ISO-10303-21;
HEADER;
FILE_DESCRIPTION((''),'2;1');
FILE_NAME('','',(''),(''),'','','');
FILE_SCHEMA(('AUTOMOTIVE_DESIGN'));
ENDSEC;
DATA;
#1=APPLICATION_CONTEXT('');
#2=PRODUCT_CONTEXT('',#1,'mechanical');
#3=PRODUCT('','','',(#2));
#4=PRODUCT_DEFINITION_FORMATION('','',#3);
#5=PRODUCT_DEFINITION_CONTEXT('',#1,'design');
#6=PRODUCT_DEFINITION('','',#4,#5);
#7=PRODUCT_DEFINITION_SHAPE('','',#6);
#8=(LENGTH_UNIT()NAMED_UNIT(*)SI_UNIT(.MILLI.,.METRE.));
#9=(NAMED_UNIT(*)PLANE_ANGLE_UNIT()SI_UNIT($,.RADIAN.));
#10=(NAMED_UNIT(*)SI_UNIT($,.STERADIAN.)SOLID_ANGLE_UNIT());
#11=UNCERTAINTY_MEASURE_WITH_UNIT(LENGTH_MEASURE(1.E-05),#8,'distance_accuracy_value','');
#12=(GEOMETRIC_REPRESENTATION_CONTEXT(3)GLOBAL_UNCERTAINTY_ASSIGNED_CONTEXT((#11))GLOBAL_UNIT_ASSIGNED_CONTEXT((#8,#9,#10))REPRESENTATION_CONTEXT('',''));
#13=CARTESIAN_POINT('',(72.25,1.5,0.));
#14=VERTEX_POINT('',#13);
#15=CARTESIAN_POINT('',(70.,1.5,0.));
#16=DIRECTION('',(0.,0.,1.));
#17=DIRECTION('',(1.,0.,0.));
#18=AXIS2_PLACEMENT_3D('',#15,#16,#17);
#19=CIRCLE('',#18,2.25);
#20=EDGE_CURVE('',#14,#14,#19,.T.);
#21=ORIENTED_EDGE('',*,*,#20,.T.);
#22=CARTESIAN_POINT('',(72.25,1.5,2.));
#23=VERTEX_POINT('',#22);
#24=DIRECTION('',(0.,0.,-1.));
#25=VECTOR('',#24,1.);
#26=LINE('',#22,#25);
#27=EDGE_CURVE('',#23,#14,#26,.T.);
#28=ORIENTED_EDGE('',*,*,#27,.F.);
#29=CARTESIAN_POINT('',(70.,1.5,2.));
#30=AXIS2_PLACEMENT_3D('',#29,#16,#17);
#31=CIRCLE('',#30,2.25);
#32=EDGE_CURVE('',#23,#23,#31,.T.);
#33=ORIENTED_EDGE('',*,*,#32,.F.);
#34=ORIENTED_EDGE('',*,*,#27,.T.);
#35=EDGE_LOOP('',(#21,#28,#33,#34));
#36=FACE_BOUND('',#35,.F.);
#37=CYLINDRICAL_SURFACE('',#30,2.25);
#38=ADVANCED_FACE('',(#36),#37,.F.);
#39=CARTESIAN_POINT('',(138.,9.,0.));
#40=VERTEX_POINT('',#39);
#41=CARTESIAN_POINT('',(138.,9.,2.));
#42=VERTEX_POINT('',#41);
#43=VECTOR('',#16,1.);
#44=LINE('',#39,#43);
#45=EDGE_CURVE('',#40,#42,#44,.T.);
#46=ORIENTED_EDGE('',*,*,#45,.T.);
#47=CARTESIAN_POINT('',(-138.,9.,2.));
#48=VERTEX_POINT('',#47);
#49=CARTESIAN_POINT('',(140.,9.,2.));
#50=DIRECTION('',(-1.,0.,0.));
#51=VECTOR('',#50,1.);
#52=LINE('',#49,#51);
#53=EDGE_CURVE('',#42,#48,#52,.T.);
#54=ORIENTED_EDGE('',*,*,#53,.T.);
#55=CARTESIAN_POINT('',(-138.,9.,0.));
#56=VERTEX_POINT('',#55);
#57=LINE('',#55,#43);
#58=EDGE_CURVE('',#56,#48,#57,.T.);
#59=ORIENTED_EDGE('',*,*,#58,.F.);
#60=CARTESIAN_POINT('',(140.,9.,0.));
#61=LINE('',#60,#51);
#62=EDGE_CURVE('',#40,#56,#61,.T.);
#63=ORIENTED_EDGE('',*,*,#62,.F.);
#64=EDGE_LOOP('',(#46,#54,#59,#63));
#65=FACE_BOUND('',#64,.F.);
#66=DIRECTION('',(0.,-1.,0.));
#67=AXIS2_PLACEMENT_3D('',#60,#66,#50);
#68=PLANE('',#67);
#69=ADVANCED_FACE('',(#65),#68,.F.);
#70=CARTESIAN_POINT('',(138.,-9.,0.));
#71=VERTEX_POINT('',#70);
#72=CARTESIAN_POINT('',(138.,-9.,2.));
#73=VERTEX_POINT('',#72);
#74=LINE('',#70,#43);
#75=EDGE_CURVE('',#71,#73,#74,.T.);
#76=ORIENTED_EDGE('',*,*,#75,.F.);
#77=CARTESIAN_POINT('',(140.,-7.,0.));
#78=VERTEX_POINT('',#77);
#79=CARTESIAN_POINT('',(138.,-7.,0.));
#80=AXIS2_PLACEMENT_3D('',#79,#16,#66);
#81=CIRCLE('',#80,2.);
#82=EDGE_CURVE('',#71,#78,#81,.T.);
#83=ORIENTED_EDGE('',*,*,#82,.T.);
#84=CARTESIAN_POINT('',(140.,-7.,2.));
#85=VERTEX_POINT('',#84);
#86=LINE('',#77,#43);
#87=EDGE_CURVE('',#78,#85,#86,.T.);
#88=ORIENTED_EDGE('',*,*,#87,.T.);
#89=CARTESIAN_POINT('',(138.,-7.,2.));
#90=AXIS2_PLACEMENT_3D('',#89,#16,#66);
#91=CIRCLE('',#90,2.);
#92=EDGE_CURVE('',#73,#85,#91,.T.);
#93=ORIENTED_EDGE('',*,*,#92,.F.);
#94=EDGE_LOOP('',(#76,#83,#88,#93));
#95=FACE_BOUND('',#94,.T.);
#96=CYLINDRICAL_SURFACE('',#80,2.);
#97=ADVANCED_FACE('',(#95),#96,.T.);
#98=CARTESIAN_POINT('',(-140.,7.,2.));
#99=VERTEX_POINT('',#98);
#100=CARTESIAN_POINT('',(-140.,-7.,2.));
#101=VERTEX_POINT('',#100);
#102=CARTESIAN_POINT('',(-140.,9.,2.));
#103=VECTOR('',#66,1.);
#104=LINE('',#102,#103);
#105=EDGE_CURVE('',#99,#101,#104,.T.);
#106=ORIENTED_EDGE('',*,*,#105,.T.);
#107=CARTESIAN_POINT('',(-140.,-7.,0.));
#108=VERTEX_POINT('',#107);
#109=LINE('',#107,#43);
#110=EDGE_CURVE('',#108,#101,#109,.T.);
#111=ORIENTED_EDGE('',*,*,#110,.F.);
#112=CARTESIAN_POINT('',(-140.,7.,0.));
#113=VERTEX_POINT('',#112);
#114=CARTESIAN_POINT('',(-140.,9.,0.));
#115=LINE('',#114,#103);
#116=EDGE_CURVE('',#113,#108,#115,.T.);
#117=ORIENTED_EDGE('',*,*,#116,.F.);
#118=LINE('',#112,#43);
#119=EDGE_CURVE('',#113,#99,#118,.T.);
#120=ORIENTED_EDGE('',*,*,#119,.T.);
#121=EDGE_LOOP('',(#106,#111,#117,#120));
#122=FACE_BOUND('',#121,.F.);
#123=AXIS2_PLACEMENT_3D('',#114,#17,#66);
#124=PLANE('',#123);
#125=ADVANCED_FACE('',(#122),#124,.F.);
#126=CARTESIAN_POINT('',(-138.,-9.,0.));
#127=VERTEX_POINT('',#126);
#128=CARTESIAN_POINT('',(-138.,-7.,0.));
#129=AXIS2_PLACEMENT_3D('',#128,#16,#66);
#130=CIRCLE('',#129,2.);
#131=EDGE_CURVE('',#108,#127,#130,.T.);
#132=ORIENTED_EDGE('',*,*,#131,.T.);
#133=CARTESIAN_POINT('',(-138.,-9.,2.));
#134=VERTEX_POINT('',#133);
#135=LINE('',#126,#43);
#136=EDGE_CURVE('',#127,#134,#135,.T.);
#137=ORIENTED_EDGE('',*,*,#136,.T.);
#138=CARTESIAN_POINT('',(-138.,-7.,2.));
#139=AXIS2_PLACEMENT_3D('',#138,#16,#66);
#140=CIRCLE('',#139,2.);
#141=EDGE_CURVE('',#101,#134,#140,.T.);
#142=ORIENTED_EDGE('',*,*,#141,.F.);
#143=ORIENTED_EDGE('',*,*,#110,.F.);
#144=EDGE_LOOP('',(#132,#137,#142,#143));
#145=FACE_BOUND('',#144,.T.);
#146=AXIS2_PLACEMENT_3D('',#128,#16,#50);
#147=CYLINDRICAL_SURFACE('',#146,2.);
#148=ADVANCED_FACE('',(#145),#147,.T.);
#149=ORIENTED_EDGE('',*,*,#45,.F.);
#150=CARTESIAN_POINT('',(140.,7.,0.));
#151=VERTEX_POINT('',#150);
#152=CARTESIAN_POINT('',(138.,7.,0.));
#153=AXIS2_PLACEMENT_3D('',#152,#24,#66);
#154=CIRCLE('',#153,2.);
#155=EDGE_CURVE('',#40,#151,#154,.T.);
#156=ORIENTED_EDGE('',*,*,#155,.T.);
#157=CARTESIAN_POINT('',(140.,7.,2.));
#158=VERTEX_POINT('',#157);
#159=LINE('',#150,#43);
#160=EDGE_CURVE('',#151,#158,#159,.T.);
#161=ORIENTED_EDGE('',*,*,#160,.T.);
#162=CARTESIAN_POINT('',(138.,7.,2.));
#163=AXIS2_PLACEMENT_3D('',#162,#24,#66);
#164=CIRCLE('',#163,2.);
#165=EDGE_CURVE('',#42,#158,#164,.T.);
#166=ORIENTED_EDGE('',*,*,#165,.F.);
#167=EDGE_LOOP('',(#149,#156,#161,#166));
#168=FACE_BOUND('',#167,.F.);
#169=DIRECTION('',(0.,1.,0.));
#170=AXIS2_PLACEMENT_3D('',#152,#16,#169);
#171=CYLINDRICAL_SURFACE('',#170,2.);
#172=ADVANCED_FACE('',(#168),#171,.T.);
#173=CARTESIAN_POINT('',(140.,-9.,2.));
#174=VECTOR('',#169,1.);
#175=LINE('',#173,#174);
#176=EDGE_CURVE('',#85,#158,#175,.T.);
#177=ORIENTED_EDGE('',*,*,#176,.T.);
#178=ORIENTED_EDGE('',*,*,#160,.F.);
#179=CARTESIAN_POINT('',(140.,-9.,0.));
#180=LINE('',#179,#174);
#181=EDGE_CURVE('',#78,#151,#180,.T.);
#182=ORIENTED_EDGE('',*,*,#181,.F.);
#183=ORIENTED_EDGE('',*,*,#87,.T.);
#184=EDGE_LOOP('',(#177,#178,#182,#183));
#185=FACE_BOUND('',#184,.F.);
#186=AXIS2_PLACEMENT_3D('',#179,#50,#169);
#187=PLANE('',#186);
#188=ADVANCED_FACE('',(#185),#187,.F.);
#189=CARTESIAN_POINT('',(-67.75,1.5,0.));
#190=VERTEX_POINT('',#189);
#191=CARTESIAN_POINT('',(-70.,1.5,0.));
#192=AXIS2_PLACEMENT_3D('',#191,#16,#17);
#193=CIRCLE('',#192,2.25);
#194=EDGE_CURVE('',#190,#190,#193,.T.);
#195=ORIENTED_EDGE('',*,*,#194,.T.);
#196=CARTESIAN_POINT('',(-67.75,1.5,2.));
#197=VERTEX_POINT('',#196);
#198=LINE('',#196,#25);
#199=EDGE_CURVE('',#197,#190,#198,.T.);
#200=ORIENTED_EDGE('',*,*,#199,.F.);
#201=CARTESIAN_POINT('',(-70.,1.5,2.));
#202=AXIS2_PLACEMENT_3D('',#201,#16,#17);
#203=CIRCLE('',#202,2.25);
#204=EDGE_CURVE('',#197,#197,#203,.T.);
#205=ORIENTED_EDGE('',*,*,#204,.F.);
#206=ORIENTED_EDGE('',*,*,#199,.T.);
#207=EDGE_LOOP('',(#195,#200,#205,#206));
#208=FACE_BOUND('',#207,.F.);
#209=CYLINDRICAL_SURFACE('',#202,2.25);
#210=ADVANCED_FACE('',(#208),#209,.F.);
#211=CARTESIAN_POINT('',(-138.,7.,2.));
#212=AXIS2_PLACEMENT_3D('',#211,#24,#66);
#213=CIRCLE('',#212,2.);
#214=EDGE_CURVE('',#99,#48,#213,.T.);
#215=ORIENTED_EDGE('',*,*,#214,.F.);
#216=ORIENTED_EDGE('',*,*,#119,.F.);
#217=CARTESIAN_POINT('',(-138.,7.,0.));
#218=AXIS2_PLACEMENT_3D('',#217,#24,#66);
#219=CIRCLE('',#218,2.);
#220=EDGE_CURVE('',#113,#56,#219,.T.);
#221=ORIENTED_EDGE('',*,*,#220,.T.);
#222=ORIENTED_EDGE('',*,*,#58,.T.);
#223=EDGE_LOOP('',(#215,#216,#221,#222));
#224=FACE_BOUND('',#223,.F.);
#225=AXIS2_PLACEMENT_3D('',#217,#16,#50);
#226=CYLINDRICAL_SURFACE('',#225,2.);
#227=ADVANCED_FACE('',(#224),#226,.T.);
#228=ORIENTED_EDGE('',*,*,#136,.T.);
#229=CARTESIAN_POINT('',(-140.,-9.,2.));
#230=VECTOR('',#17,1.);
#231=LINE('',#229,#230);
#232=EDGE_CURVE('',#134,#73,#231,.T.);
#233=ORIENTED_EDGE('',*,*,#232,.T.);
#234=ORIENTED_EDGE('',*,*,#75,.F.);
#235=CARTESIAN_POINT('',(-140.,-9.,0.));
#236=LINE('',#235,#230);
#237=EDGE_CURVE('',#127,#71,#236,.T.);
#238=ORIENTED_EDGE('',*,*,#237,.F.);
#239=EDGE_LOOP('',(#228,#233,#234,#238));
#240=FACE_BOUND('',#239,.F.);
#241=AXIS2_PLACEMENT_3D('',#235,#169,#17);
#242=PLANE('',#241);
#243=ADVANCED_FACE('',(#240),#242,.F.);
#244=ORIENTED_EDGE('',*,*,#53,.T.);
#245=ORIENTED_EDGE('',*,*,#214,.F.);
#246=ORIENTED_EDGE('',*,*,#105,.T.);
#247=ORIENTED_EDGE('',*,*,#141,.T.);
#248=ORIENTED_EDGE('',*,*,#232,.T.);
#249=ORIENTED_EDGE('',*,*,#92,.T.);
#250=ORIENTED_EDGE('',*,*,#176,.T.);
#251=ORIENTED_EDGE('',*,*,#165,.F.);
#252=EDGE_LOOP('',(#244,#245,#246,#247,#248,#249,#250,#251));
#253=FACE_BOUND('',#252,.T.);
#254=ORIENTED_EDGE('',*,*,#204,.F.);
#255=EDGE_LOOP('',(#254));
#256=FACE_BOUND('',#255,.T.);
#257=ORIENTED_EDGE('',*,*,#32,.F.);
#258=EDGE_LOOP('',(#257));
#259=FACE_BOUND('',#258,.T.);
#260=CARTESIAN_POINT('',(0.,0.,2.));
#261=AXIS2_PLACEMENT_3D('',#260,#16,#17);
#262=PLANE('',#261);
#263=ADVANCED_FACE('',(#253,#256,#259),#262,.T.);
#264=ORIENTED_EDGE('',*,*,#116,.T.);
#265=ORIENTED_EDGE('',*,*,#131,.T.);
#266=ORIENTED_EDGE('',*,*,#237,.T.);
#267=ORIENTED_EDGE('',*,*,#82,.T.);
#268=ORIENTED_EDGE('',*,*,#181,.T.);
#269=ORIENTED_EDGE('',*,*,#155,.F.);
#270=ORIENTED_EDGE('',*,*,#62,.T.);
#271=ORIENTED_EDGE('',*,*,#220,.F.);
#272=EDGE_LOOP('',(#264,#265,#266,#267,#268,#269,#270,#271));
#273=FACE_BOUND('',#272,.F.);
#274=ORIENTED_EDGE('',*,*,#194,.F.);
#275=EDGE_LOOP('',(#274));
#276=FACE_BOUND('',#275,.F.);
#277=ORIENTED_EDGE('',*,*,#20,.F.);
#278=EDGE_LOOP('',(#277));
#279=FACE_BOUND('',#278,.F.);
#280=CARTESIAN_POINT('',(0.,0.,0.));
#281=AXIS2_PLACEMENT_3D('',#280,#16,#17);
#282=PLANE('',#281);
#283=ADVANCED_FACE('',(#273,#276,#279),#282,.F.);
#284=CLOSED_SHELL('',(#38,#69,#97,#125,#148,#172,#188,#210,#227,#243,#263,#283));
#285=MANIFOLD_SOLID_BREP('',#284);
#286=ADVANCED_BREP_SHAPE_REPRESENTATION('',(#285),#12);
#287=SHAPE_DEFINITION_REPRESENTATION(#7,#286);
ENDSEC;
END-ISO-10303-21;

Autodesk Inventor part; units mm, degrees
ref_plane "YZ Plane" through (0, 0, 0) normal (1, 0, 0) x (0, 1, 0)
ref_plane "XZ Plane" through (0, 0, 0) normal (0, 1, 0) x (-1, 0, 0)
ref_plane "XY Plane" through (0, 0, 0) normal (0, 0, 1) x (1, 0, 0)
sketch "Sketch1" plane through (0, 0, 0) normal (0, 0, 1) x (1, 0, 0)
  line L0 (-140, -9) -> (140, -9)
  line L1 (140, -9) -> (140, 9)
  line L2 (140, 9) -> (-140, 9)
  line L3 (-140, 9) -> (-140, -9)
  line L4 (-140, -9) -> (140, 9) construction
  line L5 (140, -9) -> (-140, 9) construction
  point P0 (0, 0)
  dimension "d0" = 280
  dimension "d1" = 18
extrude "Extrusion1" add sketch "Sketch1" along normal blind 2
sketch "Sketch3" plane through (0, 0, 2) normal (0, 0, 1) x (1, 0, 0)
  line L0 (-99.5384, 1.5) -> (103.3668, 1.5) construction
  circle A0 centre (-70, 1.5) radius 2.25
  circle A1 centre (70, 1.5) radius 2.25
  line L1 (140, 9) -> (-140, 9) projected
  line L2 (-108, -2.5) -> (123, -2.5) construction
  line L3 (-140, -9) -> (140, -9) projected
  point P0 (0, 0)
  dimension "d4" = 4.5
  dimension "d5" = 4.5
  dimension "d6" = 7.5
  dimension "d7" = 6.5
  dimension "d8" = 70
  dimension "d9" = 70
extrude "Extrusion2" cut sketch "Sketch3" against normal blind 2
fillet "Fillet1" radius 2 4 edges at (-140, 9, 1) (-140, -9, 1) (140, 9, 1) (140, -9, 1)
sketch "Sketch4" plane through (0, 0, 2) normal (0, 0, 1) x (1, 0, 0)
  arc A0 (138, -9) -> (140, -7) centre (138, -7) ccw projected
  line L0 (140, -7) -> (140, 7) projected
  arc A1 (140, 7) -> (138, 9) centre (138, 7) ccw projected
  line L1 (138, 9) -> (-138, 9) projected
  arc A2 (-138, 9) -> (-140, 7) centre (-138, 7) ccw projected
  line L2 (-140, 7) -> (-140, -7) projected
  arc A3 (-140, -7) -> (-138, -9) centre (-138, -7) ccw projected
  line L3 (-138, -9) -> (138, -9) projected
  circle A4 centre (70, 1.5) radius 2.25 projected
  circle A5 centre (-70, 1.5) radius 2.25 projected
  point P0 (0, 0)
equation "\"d5\" = d4"
equation "\"d9\" = d8"
properties part number "DisplayAcrylicHolder"
